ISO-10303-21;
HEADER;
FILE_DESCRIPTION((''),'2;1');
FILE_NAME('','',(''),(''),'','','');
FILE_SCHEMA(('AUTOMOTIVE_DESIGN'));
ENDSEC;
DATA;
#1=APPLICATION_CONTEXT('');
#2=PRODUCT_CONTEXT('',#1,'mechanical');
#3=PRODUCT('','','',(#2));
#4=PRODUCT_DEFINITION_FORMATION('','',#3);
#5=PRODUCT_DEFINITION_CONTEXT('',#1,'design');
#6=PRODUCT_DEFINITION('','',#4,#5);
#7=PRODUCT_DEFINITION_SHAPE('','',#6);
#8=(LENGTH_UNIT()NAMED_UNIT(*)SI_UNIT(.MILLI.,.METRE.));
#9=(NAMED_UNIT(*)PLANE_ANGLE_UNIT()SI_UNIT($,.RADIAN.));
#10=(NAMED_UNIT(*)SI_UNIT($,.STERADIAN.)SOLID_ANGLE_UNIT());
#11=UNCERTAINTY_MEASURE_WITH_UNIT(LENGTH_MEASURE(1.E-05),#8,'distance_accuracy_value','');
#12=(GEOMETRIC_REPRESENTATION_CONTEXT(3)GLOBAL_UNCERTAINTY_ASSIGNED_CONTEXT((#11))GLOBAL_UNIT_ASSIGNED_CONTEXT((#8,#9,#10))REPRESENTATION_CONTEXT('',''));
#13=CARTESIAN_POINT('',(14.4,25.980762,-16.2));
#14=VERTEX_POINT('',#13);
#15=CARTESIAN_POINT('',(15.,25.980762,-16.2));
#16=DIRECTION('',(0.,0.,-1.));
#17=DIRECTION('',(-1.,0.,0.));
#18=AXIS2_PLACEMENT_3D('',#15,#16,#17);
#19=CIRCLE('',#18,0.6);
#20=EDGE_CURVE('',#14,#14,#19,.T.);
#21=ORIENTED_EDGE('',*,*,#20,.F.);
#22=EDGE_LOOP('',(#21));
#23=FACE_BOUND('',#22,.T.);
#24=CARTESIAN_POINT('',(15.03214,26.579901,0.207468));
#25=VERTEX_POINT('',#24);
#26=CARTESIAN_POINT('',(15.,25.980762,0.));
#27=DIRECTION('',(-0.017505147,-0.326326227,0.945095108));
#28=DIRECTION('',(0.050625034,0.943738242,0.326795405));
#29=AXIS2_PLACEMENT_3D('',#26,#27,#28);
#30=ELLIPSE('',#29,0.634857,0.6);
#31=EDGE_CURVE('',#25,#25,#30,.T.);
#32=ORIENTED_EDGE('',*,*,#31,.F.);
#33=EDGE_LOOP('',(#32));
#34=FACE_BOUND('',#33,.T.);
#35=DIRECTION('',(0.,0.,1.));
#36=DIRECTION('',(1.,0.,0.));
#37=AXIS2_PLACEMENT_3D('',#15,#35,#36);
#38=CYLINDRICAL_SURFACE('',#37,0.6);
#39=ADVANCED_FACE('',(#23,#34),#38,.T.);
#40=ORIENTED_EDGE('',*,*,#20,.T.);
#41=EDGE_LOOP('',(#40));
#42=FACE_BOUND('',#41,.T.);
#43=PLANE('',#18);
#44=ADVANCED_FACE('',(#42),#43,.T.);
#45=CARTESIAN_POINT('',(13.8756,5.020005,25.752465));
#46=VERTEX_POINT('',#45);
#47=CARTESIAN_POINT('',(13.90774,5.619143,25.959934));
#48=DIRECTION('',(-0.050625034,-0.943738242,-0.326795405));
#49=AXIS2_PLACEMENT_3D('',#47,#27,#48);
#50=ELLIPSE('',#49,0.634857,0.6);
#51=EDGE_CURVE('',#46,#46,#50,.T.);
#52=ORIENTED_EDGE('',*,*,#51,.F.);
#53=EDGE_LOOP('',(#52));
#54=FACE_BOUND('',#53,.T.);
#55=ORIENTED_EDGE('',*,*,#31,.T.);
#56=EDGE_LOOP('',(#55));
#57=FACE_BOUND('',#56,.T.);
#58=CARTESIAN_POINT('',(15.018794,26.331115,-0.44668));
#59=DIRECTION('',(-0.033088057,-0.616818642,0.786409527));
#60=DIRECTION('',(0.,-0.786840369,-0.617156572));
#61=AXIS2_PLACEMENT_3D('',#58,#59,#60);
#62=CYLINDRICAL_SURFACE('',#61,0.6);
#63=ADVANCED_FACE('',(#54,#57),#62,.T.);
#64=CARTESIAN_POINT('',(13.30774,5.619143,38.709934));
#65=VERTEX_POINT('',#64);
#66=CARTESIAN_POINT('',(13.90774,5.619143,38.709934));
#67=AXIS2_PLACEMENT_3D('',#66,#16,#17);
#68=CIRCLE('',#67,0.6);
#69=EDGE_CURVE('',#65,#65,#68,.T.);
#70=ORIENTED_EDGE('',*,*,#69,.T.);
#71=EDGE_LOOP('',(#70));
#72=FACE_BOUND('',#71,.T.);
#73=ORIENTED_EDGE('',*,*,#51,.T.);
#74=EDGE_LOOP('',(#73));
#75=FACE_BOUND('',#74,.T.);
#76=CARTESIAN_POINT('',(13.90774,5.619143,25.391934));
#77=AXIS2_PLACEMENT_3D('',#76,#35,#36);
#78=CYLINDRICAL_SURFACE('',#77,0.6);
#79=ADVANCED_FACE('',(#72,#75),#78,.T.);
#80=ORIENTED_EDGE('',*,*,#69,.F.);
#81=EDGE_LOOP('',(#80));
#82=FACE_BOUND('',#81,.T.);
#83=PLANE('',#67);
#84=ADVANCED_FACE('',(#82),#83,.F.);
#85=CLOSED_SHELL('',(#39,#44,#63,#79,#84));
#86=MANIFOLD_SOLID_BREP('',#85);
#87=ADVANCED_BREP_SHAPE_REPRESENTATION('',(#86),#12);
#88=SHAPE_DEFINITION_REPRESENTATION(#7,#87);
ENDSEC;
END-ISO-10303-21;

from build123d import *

# Parameters (mm, degrees)
ROUND_TPU_CORD_1_2_MM_PROFILE_R = 0.6


with BuildPart() as part:
    # Round TPU cord - 1.2 mm: sweep along a curve in space
    with BuildLine() as round_tpu_cord_1_2_mm_path:
        Line((15, 25.980762114, -16.2), (15, 25.980762114, 0))
        Line((15, 25.980762114, 0), (13.907739889, 5.619143278, 25.959933688))
        Line((13.907739889, 5.619143278, 25.959933688), (13.907739889, 5.619143278, 38.709933688))
    # Round TPU cord - 1.2 mm profile (on start of the path) → Round TPU cord - 1.2 mm (sweep)
    with BuildSketch(Plane(origin=(15, 25.980762114, -16.2), x_dir=(1, 0, 0), z_dir=(0, 0, 1))):
        Circle(ROUND_TPU_CORD_1_2_MM_PROFILE_R)
    sweep(path=round_tpu_cord_1_2_mm_path.line, transition=Transition.RIGHT)


solid = part.part
